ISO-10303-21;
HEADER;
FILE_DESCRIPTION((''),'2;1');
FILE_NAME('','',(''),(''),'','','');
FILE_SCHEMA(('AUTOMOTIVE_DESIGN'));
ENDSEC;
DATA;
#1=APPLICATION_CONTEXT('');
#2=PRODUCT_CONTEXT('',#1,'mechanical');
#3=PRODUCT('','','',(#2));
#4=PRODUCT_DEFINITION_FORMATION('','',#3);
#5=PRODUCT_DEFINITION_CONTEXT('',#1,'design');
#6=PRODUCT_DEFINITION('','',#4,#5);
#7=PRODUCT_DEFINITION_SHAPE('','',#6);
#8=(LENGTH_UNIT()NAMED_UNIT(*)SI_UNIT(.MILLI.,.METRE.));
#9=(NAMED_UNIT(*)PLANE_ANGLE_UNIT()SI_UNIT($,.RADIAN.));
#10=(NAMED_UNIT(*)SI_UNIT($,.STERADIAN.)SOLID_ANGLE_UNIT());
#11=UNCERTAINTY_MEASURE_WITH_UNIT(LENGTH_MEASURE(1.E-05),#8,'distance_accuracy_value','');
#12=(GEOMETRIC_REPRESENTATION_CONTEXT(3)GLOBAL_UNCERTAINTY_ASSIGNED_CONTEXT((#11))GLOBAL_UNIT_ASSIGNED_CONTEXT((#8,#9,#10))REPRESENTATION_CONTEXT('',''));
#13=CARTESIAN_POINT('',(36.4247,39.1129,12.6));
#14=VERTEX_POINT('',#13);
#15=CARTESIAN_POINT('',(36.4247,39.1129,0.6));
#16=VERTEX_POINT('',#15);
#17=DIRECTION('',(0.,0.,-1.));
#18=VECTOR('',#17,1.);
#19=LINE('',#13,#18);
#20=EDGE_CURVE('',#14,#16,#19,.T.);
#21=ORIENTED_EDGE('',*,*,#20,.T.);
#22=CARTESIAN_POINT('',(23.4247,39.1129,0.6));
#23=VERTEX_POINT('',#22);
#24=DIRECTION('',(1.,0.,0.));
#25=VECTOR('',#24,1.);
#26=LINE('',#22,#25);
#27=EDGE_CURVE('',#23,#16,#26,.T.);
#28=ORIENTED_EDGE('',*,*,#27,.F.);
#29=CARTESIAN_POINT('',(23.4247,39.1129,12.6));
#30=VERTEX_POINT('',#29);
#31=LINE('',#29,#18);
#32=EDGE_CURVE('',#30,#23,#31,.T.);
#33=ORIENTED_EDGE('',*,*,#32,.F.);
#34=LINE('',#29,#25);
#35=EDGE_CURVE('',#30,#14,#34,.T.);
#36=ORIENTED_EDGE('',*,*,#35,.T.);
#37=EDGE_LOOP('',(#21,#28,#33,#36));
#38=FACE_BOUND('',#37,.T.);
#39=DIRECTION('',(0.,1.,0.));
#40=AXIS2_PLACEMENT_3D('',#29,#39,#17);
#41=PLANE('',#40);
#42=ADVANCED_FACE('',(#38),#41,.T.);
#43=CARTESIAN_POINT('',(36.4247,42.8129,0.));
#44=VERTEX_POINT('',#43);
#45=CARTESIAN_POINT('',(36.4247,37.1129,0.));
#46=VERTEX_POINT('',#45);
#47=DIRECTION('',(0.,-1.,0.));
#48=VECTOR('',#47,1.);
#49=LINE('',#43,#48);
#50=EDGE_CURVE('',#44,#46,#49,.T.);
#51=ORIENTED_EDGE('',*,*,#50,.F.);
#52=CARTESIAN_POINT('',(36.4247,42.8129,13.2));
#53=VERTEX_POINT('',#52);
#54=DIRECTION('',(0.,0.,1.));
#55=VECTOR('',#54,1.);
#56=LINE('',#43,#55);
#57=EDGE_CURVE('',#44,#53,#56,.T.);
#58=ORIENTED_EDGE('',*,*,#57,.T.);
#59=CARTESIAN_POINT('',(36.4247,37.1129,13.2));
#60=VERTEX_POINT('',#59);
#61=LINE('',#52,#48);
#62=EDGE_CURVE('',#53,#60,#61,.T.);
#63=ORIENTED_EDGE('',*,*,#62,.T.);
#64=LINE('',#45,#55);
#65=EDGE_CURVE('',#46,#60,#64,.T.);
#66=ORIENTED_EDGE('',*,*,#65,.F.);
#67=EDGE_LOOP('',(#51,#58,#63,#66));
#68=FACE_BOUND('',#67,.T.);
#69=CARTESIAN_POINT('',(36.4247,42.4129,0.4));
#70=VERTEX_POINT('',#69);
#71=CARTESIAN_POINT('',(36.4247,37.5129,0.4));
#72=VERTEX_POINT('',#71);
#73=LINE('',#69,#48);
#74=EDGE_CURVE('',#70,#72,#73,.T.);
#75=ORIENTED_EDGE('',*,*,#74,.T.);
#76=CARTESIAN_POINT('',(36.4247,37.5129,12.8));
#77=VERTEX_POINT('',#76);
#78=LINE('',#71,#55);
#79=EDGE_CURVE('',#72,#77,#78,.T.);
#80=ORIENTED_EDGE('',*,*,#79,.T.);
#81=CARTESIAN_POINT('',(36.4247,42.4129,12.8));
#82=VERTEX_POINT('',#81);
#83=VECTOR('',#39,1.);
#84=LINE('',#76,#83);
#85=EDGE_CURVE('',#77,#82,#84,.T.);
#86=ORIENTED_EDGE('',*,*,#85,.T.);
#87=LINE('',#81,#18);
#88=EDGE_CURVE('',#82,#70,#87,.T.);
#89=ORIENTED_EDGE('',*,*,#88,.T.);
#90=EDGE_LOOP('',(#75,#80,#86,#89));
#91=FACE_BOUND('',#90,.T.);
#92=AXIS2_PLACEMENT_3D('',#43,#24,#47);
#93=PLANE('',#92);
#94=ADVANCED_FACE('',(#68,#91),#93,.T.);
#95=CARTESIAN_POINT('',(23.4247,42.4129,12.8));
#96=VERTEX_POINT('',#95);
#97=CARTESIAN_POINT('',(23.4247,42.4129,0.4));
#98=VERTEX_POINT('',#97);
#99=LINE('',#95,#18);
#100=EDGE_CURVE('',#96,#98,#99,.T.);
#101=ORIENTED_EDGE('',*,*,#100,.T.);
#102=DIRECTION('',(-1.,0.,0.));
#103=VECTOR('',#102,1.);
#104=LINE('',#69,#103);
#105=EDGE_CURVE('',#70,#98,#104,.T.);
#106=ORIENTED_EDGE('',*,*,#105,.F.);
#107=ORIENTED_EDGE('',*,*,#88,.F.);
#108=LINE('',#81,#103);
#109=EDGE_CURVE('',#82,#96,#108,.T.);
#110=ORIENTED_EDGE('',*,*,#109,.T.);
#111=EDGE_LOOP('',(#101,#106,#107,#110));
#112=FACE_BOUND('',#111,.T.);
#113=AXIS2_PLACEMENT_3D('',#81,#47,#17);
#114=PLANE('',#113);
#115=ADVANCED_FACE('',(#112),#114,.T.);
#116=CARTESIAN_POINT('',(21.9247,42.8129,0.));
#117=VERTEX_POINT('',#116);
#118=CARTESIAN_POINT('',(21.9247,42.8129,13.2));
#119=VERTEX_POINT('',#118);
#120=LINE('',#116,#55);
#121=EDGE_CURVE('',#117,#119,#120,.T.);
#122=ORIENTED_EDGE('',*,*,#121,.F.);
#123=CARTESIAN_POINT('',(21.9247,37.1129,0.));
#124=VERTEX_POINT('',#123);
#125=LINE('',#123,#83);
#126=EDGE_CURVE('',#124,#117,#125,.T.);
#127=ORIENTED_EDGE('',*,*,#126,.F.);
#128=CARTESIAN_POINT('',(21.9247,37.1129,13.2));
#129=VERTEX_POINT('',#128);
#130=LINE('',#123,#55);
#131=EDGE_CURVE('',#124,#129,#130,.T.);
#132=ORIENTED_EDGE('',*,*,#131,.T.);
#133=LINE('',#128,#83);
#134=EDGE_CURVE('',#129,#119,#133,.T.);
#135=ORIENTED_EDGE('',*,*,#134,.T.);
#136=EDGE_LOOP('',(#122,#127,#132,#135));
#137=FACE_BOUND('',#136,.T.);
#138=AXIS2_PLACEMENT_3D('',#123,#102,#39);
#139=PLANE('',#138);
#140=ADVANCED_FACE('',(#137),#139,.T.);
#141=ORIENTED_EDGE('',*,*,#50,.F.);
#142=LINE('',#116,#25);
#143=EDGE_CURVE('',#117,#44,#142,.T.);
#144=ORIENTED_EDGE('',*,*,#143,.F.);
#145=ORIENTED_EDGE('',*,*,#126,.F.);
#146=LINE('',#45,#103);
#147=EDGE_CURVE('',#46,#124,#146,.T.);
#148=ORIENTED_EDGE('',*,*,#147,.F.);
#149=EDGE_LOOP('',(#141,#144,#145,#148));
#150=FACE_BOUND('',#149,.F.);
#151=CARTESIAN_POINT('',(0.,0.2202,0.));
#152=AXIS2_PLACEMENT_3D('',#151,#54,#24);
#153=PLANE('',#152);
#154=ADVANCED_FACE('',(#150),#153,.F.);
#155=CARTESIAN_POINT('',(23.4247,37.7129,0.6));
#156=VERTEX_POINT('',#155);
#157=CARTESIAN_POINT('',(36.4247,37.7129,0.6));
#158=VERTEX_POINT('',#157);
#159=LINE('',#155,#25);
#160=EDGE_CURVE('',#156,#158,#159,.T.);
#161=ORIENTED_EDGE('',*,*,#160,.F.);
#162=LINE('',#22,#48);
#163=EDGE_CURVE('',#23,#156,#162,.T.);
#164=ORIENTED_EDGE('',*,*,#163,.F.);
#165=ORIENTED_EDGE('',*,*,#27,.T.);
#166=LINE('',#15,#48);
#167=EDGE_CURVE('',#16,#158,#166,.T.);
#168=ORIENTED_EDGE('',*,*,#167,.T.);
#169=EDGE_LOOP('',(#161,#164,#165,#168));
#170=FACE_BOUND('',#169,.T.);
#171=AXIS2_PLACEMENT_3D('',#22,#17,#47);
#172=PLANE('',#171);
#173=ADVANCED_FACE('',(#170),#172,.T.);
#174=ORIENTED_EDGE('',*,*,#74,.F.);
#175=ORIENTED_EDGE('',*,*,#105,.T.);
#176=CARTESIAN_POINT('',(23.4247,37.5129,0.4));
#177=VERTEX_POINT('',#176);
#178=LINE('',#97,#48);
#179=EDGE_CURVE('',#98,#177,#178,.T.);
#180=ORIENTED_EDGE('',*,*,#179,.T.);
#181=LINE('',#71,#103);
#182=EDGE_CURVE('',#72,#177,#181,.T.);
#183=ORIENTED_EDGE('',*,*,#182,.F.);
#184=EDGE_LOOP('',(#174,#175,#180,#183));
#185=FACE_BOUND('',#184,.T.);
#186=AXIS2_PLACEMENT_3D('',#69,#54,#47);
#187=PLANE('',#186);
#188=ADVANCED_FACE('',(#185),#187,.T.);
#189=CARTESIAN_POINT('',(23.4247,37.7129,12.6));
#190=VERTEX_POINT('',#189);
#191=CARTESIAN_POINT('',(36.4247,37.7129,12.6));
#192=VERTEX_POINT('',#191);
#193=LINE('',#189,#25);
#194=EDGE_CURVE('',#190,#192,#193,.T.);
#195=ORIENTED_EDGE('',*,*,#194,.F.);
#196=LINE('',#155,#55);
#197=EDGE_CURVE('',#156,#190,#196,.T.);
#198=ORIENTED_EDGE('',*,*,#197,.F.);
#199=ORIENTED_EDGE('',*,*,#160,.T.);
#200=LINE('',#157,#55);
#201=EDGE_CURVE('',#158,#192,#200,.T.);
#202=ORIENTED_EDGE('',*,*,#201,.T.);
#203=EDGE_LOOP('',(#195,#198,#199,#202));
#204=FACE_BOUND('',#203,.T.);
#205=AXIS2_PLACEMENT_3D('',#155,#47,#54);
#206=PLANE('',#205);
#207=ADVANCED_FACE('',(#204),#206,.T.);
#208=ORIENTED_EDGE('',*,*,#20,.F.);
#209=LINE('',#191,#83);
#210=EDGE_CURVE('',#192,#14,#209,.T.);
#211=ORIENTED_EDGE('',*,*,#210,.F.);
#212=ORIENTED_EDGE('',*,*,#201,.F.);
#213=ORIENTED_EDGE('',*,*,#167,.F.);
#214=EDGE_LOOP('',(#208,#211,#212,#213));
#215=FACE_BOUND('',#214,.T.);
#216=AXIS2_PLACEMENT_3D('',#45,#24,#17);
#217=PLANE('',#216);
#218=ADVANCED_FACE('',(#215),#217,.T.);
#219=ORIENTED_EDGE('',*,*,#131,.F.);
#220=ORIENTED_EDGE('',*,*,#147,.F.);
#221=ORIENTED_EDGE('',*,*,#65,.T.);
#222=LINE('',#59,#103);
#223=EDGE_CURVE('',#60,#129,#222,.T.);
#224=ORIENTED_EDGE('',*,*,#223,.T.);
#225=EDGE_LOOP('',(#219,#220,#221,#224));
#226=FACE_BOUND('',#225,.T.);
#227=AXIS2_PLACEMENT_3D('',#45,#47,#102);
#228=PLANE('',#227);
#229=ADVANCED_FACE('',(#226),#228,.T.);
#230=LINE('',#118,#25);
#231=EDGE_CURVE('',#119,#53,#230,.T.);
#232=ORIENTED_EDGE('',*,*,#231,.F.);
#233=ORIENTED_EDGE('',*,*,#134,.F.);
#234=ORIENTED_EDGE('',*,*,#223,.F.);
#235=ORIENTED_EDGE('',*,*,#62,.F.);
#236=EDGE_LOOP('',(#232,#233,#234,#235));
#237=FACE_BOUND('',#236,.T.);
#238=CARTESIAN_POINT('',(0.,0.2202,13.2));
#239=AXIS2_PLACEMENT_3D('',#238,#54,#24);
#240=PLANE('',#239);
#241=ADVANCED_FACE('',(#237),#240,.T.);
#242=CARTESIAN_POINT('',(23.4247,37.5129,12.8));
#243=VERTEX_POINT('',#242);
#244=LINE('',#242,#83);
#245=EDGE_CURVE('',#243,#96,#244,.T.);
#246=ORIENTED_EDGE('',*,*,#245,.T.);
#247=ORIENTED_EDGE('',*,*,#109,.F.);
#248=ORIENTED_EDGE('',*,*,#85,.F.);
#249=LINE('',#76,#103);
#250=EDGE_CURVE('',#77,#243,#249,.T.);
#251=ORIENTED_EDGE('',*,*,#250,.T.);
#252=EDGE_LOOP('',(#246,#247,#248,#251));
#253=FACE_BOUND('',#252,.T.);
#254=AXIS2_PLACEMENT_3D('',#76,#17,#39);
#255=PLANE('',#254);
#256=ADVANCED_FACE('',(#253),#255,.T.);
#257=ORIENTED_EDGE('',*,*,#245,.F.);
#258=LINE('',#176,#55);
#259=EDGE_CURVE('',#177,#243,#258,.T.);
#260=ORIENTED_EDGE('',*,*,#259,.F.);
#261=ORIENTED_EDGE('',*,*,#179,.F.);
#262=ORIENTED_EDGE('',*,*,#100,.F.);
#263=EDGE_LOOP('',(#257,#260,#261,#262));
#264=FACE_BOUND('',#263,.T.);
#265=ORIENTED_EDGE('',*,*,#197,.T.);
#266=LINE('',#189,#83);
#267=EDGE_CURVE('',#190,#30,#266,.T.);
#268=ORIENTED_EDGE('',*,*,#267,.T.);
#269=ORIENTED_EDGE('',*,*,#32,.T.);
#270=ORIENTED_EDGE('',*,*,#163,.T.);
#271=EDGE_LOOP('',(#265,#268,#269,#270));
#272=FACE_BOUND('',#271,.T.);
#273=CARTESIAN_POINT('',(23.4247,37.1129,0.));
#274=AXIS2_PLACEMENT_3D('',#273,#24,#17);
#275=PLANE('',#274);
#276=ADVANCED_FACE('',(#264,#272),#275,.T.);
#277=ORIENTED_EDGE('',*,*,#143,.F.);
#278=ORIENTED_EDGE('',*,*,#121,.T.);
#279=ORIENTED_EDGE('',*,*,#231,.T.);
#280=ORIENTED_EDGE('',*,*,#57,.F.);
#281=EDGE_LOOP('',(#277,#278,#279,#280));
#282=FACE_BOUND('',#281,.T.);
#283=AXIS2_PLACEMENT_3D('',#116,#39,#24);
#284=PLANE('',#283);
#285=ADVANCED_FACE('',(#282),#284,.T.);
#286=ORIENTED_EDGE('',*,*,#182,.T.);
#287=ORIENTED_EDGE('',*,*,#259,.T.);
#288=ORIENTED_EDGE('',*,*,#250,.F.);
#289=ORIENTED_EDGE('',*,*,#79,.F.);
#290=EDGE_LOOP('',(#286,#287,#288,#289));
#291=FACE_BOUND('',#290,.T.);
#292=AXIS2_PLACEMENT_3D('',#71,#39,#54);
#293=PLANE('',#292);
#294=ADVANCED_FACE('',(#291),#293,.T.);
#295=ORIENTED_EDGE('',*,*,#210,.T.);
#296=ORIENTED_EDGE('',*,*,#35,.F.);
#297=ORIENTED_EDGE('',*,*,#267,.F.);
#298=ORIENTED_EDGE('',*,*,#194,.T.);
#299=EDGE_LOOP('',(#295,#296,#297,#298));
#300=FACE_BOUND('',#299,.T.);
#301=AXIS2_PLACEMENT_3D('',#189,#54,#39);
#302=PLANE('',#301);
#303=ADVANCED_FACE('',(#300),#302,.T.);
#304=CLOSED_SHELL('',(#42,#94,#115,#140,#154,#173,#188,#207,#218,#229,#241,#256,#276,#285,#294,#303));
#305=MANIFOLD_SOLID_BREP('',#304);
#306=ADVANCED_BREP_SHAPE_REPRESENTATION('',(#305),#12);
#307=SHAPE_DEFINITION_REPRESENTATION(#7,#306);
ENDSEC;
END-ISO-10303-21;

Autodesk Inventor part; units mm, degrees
ref_plane "YZ Plane" through (0, 0, 0) normal (1, 0, 0) x (0, 1, 0)
ref_plane "XZ Plane" through (0, 0, 0) normal (0, 1, 0) x (-1, 0, 0)
ref_plane "XY Plane" through (0, 0, 0) normal (0, 0, 1) x (1, 0, 0)
ref_plane "Work Plane1" through (0, 0.2202, 0) normal (0, 0, 1) x (1, 0, 0)
sketch "Sketch1" plane through (0, 0.2202, 0) normal (0, 0, 1) x (1, 0, 0)
  line L0 (21.9247, 42.5927) -> (36.4247, 42.5927)
  line L1 (36.4247, 42.5927) -> (36.4247, 36.8927)
  line L2 (36.4247, 36.8927) -> (21.9247, 36.8927)
  line L3 (21.9247, 36.8927) -> (21.9247, 42.5927)
  point P0 (0, -0.2202)
  dimension "d0" = 14.5
  dimension "d2" = 5.7
extrude "Extrusion1" add sketch "Sketch1" along normal blind 13.2
sketch "Sketch2" plane through (36.4247, 37.1129, 0) normal (1, 0, 0) x (0, 0, -1)
  line L0 (0, 5.7) -> (0, 0) projected
  line L1 (0, 5.7) -> (-13.2, 5.7) projected
  line L2 (-13.2, 0) -> (-13.2, 5.7) projected
  line L3 (0, 0) -> (-13.2, 0) projected
  line L4 (-12.8, 5.3) -> (-0.4, 5.3)
  line L5 (-0.4, 5.3) -> (-0.4, 0.4)
  line L6 (-0.4, 0.4) -> (-12.8, 0.4)
  line L7 (-12.8, 0.4) -> (-12.8, 5.3)
  point P0 (0, -37.1129)
  dimension "d5" = 0.4
extrude "Extrusion2" cut sketch "Sketch2" against normal blind 13 contours L4 L5 L6 L7
sketch "Sketch3" plane through (23.4247, 37.1129, 0) normal (1, 0, 0) x (0, 0, -1)
  line L0 (-12.8, 0.4) -> (-12.8, 5.3) projected
  line L1 (-0.4, 0.4) -> (-12.8, 0.4) projected
  line L2 (-0.4, 5.3) -> (-0.4, 0.4) projected
  line L3 (-12.6, 2) -> (-0.6, 2)
  line L4 (-0.6, 2) -> (-0.6, 0.6)
  line L5 (-0.6, 0.6) -> (-12.6, 0.6)
  line L6 (-12.6, 0.6) -> (-12.6, 2)
  point P0 (0, -37.1129)
  dimension "d8" = 0.2
  dimension "d9" = 0.2
  dimension "d10" = 0.2
  dimension "d11" = 1.4
extrude "Extrusion3" add sketch "Sketch3" along normal blind 13
properties part number "nanopc_t4_usb"
